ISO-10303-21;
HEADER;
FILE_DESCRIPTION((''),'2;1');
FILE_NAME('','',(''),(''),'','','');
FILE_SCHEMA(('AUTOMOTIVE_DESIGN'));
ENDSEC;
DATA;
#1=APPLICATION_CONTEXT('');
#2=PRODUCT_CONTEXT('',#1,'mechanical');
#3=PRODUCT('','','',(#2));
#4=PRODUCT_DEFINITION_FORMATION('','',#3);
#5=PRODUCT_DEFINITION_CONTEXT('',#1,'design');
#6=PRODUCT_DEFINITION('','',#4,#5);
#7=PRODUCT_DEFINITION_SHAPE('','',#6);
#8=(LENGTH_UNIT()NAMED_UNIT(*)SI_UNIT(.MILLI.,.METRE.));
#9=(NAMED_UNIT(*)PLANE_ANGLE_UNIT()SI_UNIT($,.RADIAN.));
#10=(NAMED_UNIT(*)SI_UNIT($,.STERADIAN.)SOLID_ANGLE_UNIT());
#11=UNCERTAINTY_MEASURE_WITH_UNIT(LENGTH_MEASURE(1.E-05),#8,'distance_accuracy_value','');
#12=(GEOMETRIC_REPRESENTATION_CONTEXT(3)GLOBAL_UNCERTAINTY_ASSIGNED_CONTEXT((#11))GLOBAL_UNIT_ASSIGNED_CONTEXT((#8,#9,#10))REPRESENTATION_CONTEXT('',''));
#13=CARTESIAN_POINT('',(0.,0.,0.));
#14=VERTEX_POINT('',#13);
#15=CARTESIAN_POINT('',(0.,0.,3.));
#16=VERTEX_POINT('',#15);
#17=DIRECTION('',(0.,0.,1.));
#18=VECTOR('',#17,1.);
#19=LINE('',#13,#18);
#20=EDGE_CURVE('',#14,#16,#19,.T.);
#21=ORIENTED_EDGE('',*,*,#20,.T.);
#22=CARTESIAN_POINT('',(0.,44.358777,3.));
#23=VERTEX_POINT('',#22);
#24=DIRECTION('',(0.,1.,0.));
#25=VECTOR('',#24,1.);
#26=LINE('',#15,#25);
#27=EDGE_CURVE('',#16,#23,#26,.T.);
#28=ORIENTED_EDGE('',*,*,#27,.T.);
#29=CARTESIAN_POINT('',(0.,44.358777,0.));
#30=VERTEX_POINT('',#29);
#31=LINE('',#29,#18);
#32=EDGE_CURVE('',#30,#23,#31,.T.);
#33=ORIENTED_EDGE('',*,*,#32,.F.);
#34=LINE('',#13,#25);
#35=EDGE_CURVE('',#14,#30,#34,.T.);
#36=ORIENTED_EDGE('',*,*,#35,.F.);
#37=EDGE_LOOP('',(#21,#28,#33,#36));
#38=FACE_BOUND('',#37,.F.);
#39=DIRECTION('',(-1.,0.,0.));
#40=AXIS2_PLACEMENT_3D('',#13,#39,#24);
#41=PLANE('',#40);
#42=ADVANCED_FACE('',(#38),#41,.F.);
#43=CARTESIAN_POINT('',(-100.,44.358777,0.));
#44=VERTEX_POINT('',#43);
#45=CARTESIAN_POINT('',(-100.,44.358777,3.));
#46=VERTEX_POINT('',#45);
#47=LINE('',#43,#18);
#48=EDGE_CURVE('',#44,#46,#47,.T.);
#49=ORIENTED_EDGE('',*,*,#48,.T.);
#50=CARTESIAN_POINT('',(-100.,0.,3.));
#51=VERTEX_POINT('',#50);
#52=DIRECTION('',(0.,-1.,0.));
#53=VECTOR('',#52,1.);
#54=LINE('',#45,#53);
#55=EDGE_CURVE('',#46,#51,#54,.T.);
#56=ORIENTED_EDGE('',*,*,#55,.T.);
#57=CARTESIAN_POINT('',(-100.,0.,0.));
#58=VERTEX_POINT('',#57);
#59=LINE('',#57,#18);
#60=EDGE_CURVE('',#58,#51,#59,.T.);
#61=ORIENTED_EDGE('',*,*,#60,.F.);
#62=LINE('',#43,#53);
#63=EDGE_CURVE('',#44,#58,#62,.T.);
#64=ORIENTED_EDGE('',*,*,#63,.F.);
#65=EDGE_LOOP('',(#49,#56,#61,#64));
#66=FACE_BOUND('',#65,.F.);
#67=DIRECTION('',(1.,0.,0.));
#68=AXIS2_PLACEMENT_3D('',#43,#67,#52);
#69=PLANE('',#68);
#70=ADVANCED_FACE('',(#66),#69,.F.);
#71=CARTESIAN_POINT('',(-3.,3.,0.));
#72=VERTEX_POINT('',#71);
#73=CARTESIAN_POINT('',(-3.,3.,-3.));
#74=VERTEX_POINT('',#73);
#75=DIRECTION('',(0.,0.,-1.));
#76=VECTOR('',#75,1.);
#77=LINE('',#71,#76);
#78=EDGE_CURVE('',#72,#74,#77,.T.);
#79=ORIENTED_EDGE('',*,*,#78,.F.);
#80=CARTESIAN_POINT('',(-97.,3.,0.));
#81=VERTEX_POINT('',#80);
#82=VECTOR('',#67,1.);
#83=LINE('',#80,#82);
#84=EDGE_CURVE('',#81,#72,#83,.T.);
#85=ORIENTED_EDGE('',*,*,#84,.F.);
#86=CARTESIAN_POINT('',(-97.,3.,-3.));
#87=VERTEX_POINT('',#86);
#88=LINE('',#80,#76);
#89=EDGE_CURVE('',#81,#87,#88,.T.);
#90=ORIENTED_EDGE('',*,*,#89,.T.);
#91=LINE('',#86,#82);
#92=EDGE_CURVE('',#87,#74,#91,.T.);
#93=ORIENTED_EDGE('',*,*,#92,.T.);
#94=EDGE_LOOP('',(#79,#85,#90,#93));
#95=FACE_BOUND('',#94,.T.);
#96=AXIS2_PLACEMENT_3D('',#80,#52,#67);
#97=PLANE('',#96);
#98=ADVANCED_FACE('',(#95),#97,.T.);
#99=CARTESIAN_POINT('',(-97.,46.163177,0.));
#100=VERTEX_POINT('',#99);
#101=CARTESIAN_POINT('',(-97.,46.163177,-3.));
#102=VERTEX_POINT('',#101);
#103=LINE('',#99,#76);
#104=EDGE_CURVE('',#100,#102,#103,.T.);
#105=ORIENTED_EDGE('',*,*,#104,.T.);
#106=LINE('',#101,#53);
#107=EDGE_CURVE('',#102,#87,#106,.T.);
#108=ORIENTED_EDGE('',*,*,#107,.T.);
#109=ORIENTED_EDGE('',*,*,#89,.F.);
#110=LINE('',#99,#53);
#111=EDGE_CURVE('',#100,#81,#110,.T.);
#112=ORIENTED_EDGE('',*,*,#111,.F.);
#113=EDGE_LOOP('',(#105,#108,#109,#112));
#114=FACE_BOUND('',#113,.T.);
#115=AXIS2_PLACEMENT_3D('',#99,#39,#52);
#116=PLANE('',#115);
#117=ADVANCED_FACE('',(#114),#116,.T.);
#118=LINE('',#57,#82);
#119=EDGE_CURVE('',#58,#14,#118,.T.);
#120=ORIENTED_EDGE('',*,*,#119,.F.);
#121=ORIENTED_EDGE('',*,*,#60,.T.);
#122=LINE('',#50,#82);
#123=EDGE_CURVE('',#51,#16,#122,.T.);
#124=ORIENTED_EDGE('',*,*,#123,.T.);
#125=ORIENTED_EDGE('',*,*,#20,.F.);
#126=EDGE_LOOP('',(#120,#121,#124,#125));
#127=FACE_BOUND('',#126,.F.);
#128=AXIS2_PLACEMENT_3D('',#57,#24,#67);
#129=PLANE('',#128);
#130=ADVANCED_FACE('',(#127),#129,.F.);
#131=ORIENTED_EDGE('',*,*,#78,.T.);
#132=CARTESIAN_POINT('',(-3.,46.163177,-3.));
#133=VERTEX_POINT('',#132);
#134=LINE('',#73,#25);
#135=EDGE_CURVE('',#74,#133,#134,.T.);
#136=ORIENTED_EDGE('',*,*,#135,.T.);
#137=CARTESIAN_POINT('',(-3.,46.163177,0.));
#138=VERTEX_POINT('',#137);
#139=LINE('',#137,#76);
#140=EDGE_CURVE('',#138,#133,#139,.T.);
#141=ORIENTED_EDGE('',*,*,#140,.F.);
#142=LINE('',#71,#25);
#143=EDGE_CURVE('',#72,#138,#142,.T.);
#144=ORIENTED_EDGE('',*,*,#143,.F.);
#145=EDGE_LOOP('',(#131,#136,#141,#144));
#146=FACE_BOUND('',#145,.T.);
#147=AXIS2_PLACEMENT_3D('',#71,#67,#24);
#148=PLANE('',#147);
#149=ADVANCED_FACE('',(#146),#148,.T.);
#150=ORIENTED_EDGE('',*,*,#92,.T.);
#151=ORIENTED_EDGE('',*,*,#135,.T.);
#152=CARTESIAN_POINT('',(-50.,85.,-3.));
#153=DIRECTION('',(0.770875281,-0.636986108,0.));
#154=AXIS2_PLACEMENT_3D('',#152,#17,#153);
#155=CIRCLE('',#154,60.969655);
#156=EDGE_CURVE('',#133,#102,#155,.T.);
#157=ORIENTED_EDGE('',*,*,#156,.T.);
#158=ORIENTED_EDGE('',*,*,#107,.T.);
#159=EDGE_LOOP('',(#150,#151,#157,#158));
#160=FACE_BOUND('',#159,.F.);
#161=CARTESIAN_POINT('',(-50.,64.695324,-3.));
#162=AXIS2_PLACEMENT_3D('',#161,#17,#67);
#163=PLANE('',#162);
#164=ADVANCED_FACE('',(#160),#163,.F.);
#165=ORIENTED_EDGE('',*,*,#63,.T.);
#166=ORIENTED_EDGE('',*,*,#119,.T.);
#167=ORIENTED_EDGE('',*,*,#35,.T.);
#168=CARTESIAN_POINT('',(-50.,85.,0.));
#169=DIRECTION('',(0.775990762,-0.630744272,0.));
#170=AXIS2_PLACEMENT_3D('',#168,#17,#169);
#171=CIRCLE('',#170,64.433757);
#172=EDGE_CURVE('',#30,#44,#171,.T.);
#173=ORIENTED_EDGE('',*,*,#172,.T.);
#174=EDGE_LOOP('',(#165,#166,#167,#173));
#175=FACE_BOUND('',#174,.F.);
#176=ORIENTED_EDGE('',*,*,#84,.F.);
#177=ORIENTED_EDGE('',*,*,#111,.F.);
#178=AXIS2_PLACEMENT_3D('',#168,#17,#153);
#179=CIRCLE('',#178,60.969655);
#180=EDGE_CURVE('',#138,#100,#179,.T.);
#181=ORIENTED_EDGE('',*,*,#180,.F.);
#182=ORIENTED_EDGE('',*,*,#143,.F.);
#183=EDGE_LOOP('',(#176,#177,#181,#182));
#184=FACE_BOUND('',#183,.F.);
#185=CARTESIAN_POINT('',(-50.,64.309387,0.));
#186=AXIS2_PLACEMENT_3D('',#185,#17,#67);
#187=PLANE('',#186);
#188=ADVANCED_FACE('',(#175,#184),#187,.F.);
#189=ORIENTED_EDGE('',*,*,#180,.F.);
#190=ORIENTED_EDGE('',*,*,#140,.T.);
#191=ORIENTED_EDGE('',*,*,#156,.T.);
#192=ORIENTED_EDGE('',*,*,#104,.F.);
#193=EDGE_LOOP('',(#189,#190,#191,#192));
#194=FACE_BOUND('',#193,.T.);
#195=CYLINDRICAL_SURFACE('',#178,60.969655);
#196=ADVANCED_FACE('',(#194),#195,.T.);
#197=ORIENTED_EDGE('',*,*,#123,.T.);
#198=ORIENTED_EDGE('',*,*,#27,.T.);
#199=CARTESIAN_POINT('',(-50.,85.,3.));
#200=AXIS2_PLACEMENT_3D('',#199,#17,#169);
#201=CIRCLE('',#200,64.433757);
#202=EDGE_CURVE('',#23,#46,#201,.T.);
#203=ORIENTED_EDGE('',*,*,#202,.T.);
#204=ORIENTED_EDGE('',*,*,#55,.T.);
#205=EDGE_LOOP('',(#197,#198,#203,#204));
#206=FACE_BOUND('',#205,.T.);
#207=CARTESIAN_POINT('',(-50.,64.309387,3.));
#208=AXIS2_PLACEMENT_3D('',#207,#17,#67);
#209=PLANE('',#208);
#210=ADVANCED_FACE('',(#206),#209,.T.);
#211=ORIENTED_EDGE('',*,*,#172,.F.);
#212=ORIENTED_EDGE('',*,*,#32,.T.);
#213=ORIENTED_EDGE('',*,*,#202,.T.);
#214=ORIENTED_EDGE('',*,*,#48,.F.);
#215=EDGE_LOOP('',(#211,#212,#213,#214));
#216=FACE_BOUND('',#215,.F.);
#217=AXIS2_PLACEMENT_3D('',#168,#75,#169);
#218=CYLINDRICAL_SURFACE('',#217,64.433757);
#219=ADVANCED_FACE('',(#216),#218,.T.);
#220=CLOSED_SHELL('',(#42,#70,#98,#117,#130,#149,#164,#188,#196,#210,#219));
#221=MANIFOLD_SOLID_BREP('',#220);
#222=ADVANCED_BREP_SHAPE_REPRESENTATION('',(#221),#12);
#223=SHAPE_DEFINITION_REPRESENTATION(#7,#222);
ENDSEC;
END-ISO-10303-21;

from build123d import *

# Parameters (mm, degrees)
F1_DEPTH = 3
F2_DEPTH = 3


with BuildPart() as f1:
    # F0 (on Top) → F1 (new body)
    with BuildSketch(Plane.XY):
        with BuildLine():
            ThreePointArc((0, 44.3587770077), (-50, 149.4337567297), (-100, 44.3587770077))
            Line((-100, 44.3587770077), (-100, 0))
            Line((-100, 0), (0, 0))
            Line((0, 0), (0, 44.3587770077))
        make_face()
        with BuildLine():
            ThreePointArc((-97, 46.1631766902), (-50, 145.9696551146), (-3, 46.1631766902))
            Line((-3, 46.1631766902), (-3, 3))
            Line((-3, 3), (-97, 3))
            Line((-97, 3), (-97, 46.1631766902))
        make_face(mode=Mode.SUBTRACT)
        with BuildLine():
            Line((-3, 3), (-3, 46.1631766902))
            ThreePointArc((-3, 46.1631766902), (-50, 145.9696551146), (-97, 46.1631766902))
            Line((-97, 46.1631766902), (-97, 3))
            Line((-97, 3), (-3, 3))
        make_face()
    extrude(amount=F1_DEPTH)

    # F0 (on Top) → F2 (join)
    with BuildSketch(Plane.XY):
        with BuildLine():
            Line((-3, 3), (-3, 46.1631766902))
            ThreePointArc((-3, 46.1631766902), (-50, 145.9696551146), (-97, 46.1631766902))
            Line((-97, 46.1631766902), (-97, 3))
            Line((-97, 3), (-3, 3))
        make_face()
    extrude(amount=-F2_DEPTH)


solid = f1.part
